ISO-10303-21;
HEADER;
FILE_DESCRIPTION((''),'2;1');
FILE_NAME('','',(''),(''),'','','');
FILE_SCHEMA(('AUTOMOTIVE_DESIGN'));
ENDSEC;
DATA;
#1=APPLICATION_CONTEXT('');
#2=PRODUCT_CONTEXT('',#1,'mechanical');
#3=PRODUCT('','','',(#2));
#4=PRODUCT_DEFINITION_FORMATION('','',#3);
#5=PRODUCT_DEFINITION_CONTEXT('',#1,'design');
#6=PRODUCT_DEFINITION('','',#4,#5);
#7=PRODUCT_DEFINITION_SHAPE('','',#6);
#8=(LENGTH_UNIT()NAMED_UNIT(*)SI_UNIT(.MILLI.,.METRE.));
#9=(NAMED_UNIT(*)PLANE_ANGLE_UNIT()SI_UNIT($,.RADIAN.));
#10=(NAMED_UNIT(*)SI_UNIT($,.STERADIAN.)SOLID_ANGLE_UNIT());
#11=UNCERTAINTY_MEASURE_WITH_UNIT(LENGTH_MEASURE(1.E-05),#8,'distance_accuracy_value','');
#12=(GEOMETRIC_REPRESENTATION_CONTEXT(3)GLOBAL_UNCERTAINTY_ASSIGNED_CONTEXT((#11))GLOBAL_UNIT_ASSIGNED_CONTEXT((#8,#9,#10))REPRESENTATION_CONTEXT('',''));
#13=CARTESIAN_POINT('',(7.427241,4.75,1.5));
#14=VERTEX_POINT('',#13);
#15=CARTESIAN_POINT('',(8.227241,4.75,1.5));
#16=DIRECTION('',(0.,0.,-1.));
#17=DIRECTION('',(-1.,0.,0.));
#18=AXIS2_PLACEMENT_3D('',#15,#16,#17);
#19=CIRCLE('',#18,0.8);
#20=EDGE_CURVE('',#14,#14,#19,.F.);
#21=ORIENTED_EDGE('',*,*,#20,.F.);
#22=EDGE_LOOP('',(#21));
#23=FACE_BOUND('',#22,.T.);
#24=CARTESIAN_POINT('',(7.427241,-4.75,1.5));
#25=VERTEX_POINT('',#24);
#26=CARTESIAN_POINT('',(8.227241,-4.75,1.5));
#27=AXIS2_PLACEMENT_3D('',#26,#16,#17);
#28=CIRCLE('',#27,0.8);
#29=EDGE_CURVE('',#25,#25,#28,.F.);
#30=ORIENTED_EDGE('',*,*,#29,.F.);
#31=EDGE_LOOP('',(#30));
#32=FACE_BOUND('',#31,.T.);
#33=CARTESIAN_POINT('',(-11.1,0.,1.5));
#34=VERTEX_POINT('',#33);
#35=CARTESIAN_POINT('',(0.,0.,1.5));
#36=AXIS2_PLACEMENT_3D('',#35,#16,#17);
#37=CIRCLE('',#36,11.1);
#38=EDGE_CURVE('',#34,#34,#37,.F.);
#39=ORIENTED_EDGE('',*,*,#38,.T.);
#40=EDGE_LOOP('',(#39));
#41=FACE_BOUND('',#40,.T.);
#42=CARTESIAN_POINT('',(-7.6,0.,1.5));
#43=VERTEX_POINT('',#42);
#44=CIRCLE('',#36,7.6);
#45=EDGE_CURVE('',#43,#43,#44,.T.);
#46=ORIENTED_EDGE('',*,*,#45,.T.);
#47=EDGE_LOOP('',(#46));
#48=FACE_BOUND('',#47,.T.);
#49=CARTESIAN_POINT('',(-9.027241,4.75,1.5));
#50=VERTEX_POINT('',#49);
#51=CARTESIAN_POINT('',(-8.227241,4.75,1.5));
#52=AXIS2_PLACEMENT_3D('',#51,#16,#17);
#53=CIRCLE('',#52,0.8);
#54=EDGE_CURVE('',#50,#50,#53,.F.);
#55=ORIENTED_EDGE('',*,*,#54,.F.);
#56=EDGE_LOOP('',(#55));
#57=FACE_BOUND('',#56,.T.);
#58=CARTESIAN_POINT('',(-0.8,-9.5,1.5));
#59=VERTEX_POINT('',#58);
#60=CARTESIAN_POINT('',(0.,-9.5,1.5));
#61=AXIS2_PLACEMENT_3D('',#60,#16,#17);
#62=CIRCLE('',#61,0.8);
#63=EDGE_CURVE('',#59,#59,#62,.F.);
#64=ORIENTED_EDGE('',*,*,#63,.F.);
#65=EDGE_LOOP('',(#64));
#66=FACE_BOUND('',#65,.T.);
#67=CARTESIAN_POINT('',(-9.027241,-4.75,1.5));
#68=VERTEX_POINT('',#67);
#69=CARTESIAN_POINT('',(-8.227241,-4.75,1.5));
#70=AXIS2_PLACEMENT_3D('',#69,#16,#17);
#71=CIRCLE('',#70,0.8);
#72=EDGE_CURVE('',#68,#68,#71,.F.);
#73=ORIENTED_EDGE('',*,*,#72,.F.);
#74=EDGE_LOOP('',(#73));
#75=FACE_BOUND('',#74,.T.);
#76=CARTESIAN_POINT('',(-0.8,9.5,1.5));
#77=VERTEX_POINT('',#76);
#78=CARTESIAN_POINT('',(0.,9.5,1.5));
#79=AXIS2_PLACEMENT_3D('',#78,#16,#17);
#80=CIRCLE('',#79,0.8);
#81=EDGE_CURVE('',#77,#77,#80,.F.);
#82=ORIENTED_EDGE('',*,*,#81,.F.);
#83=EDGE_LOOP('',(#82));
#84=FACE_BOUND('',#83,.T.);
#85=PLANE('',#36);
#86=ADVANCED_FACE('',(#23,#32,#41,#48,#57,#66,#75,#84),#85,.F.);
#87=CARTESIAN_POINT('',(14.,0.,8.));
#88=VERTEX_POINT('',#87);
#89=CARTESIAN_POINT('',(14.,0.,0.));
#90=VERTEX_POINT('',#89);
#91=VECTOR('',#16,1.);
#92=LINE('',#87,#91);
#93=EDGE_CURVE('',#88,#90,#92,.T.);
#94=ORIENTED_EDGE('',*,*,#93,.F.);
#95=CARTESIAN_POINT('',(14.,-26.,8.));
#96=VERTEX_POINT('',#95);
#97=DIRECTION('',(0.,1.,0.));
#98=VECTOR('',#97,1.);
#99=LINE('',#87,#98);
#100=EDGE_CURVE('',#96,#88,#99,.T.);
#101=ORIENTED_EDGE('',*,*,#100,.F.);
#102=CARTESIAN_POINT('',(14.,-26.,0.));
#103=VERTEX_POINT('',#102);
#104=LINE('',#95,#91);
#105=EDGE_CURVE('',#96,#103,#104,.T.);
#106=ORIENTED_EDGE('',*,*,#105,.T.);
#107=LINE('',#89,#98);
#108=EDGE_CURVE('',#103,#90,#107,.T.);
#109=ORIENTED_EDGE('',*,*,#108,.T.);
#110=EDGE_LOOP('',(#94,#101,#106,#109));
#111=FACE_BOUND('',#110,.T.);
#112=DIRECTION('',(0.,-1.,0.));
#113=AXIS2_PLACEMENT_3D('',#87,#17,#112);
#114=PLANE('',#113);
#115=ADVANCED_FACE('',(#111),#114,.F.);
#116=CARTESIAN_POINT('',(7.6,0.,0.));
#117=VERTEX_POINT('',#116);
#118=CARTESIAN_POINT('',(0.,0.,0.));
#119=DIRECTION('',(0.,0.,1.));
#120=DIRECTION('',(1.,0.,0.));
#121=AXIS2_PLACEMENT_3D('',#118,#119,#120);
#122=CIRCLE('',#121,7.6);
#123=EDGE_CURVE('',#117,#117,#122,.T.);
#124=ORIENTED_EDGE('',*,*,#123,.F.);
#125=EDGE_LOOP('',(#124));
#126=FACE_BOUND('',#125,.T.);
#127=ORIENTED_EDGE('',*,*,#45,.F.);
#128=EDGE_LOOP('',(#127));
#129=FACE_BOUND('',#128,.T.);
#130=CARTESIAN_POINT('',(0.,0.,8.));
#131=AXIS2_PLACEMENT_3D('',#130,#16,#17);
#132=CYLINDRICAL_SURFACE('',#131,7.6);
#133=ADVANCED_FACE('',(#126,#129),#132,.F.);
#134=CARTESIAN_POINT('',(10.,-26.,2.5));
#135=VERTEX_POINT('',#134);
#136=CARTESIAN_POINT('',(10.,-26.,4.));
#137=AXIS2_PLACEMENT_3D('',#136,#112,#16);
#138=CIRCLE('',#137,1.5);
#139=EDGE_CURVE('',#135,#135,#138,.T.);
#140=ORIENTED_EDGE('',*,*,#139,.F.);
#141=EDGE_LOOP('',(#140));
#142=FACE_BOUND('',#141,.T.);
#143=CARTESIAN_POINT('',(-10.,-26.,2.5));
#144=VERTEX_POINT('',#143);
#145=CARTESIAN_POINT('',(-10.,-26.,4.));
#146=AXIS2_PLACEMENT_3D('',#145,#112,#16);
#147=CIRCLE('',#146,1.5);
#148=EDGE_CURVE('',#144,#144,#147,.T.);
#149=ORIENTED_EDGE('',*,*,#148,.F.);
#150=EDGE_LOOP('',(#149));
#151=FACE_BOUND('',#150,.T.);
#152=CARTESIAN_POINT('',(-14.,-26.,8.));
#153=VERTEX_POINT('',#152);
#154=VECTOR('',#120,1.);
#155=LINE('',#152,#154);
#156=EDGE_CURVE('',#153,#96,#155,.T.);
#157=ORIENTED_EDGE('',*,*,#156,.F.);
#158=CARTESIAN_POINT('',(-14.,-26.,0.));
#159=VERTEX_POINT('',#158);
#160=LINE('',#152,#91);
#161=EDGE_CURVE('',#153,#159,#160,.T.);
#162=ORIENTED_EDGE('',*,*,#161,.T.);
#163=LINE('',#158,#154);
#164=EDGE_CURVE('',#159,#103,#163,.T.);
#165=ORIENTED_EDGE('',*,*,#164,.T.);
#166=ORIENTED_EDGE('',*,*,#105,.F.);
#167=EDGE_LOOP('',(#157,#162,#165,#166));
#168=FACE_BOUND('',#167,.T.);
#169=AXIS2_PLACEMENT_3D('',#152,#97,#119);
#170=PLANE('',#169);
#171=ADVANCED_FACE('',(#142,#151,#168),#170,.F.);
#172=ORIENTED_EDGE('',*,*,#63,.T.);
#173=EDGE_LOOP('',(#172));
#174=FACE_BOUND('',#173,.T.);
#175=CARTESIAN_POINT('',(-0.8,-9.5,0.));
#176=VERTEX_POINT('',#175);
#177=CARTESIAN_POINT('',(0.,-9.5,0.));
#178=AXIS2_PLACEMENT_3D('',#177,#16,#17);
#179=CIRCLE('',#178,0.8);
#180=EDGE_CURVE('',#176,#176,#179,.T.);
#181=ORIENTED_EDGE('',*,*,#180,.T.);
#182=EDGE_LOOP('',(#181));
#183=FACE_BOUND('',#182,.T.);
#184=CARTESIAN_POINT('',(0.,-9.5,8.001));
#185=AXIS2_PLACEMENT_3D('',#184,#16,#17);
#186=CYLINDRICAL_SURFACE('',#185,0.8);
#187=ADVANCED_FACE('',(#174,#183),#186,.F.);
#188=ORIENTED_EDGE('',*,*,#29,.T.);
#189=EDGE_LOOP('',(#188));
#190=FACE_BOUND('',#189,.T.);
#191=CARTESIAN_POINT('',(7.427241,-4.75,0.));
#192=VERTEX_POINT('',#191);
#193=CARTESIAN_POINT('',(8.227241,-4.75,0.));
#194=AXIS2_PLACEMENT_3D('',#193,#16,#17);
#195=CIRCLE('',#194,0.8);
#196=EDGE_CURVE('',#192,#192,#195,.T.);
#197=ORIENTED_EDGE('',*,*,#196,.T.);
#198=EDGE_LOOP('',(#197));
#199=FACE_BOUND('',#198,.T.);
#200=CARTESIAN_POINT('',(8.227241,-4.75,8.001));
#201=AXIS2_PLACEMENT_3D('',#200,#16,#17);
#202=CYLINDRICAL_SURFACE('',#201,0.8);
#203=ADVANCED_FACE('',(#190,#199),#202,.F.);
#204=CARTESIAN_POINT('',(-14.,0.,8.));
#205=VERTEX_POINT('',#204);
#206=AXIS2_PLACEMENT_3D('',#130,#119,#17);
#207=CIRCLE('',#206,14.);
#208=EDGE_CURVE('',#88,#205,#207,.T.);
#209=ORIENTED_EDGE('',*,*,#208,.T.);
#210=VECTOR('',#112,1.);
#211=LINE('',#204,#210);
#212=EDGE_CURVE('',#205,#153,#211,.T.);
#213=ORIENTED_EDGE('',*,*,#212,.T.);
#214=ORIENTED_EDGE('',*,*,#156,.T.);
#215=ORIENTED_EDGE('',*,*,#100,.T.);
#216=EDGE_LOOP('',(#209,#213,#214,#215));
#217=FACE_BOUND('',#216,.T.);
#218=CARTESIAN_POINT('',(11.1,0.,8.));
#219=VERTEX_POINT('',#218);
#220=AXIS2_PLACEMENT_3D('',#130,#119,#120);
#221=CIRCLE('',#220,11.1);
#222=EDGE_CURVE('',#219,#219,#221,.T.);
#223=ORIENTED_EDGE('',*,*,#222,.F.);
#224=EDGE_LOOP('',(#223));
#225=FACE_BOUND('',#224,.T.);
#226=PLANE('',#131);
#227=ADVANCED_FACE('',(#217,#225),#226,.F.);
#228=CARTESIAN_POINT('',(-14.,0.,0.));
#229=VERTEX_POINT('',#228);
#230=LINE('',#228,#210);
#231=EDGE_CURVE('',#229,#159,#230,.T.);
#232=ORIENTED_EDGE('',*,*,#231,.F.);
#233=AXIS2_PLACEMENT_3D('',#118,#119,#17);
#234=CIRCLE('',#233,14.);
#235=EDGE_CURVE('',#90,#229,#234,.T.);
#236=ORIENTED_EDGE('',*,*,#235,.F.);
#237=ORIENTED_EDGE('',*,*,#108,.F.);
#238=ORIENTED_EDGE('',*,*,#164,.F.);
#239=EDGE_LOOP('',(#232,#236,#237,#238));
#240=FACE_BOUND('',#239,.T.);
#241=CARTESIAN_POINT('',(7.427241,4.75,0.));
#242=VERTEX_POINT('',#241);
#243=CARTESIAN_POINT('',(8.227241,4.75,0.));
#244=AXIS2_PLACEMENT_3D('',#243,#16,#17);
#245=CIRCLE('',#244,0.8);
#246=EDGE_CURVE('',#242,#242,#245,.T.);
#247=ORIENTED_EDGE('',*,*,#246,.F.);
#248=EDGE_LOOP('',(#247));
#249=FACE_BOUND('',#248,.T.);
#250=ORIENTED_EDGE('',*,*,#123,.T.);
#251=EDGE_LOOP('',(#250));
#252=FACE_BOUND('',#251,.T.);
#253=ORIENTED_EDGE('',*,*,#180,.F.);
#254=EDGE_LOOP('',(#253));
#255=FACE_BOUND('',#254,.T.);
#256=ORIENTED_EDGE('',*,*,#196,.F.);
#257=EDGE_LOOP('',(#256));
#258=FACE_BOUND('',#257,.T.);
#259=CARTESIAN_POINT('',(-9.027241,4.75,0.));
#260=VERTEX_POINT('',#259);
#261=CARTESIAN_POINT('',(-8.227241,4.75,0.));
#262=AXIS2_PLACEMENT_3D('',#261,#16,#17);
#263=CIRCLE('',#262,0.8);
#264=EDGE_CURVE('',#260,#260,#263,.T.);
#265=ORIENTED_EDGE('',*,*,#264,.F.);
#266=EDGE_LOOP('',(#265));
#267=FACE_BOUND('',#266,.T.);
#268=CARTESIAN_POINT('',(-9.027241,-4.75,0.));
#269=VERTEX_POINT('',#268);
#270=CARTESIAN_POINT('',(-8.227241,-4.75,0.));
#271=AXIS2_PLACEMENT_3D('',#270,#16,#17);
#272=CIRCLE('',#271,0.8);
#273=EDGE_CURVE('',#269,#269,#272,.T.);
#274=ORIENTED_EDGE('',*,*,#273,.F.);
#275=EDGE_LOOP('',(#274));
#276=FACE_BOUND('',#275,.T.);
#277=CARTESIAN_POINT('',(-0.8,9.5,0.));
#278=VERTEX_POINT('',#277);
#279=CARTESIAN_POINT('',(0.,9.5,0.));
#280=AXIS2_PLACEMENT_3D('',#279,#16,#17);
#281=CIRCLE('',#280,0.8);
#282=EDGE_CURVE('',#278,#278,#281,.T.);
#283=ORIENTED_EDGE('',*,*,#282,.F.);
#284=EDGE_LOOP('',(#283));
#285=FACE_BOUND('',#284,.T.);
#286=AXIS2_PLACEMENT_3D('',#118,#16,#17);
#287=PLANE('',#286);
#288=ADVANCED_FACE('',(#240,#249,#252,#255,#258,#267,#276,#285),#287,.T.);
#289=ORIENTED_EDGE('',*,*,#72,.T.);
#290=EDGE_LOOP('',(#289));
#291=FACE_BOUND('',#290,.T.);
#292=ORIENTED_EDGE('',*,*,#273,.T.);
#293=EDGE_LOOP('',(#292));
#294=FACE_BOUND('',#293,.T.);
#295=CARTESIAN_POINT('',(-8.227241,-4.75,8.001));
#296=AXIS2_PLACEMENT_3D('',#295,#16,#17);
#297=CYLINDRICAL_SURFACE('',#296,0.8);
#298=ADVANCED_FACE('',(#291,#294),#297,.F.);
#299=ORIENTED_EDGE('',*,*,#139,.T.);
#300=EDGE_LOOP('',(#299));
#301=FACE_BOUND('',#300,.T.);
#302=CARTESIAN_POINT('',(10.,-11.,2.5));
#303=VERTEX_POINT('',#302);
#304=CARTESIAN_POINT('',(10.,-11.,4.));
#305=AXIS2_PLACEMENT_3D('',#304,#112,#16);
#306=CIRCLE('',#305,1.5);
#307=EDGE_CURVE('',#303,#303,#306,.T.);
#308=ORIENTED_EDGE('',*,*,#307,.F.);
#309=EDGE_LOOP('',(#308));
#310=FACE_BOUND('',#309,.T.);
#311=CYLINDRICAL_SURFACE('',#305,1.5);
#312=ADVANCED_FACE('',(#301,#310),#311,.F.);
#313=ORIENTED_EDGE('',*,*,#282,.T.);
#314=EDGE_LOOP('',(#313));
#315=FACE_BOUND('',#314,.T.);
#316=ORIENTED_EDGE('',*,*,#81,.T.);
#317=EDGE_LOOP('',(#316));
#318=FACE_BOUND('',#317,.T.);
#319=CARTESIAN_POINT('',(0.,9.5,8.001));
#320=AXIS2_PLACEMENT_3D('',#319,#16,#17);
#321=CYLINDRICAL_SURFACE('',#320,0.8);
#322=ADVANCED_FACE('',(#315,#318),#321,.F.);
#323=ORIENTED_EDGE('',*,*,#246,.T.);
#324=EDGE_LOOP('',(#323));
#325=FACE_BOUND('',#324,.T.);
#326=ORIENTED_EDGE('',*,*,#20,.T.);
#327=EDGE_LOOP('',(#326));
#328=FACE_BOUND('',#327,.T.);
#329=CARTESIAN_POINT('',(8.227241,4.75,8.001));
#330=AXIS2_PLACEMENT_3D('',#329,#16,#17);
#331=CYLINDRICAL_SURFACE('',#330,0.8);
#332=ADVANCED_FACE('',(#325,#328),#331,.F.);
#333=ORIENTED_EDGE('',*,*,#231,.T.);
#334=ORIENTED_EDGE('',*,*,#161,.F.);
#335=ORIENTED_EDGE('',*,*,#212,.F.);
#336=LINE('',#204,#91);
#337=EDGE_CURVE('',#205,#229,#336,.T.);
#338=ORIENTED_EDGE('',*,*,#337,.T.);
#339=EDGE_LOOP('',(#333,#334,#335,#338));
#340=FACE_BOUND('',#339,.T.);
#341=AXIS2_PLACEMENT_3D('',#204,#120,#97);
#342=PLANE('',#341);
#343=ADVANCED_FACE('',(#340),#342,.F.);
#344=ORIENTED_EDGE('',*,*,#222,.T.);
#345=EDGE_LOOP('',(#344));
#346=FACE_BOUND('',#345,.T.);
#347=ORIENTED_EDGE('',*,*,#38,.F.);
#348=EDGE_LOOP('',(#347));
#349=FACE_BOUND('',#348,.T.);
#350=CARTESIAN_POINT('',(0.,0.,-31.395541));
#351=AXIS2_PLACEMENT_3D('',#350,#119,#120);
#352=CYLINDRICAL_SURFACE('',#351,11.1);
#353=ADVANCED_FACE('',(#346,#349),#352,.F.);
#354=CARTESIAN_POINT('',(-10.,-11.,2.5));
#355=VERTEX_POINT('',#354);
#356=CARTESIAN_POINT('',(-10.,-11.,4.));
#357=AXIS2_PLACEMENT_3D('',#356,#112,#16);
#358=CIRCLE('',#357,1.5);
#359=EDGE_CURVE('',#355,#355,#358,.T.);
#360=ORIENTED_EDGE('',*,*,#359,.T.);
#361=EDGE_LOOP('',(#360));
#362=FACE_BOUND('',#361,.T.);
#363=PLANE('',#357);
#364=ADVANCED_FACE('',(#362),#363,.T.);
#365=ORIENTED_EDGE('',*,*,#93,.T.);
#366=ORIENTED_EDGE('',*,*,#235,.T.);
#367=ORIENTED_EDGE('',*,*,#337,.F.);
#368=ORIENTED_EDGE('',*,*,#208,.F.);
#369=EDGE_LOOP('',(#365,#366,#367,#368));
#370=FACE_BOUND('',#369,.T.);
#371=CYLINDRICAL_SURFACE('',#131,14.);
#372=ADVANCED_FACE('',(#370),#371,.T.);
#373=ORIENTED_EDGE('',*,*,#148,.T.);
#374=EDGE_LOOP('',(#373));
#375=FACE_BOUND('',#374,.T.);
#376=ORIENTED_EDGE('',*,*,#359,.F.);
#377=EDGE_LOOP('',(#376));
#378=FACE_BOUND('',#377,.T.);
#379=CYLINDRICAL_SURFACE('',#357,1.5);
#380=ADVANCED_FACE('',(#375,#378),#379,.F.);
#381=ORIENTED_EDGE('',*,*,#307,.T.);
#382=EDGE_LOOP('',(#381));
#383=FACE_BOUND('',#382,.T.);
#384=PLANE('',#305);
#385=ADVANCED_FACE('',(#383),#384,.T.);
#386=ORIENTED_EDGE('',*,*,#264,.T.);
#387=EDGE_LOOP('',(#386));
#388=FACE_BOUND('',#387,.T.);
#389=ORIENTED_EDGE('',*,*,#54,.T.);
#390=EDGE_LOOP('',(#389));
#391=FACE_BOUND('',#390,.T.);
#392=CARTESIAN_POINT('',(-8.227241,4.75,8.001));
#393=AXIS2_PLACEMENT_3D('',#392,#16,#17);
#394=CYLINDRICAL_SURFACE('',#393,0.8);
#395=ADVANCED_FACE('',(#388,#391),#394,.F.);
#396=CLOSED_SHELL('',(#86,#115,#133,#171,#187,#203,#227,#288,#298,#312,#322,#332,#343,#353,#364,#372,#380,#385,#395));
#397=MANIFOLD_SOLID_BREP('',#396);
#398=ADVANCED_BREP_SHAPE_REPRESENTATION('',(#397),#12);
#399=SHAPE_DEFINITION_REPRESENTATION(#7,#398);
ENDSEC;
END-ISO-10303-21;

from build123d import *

# Parameters (mm, degrees)
ESQUISSE1_R             = 7.6
BOSS_EXTRU_1_DEPTH      = 8
ESQUISSE2_R             = 11.1
ENL_V_MAT_EXTRU_1_DEPTH = 6.5
ENL_V_MAT_EXTRU_2_REACH = 10
ESQUISSE3_R             = 0.8
ESQUISSE4_R             = 1.5
ENL_V_MAT_EXTRU_3_DEPTH = 15


with BuildPart() as part:
    # Esquisse1 → Boss.-Extru.1 (new body)
    with BuildSketch(Plane.XY):
        with BuildLine():
            Line((-14, 0), (-14, -26))
            Line((-14, -26), (14, -26))
            Line((14, -26), (14, 0))
            ThreePointArc((14, 0), (0, 14), (-14, 0))
        make_face()
        Circle(ESQUISSE1_R, mode=Mode.SUBTRACT)
    extrude(amount=BOSS_EXTRU_1_DEPTH)

    # Esquisse2 → Enlèv. mat.-Extru.1 (cut)
    with BuildSketch(Plane.XY.offset(8)):
        Circle(ESQUISSE2_R)
    extrude(amount=-ENL_V_MAT_EXTRU_1_DEPTH, mode=Mode.SUBTRACT)

    # Esquisse3 → Enlèv. mat.-Extru.2 (cut, up to next)
    with BuildSketch(Plane(origin=(0, 0, 0), x_dir=(-1, 0, 0), z_dir=(0, 0, -1)), mode=Mode.PRIVATE) as enl_v_mat_extru_2_sk1:
        with Locations((0, 9.5)):
            Circle(ESQUISSE3_R)
    enl_v_mat_extru_2_tool1 = extrude(enl_v_mat_extru_2_sk1.sketch, amount=-ENL_V_MAT_EXTRU_2_REACH, mode=Mode.PRIVATE) & part.part
    add(enl_v_mat_extru_2_tool1.solids().sort_by_distance((0, 9.5, 0))[0], mode=Mode.SUBTRACT)
    # Esquisse3 → Enlèv. mat.-Extru.2 (cut, up to next)
    with BuildSketch(Plane(origin=(0, 0, 0), x_dir=(-1, 0, 0), z_dir=(0, 0, -1)), mode=Mode.PRIVATE) as enl_v_mat_extru_2_sk2:
        with Locations((8.227241336, 4.75)):
            Circle(ESQUISSE3_R)
    enl_v_mat_extru_2_tool2 = extrude(enl_v_mat_extru_2_sk2.sketch, amount=-ENL_V_MAT_EXTRU_2_REACH, mode=Mode.PRIVATE) & part.part
    add(enl_v_mat_extru_2_tool2.solids().sort_by_distance((-8.227241, 4.75, 0))[0], mode=Mode.SUBTRACT)
    # Esquisse3 → Enlèv. mat.-Extru.2 (cut, up to next)
    with BuildSketch(Plane(origin=(0, 0, 0), x_dir=(-1, 0, 0), z_dir=(0, 0, -1)), mode=Mode.PRIVATE) as enl_v_mat_extru_2_sk3:
        with Locations((8.227241336, -4.75)):
            Circle(ESQUISSE3_R)
    enl_v_mat_extru_2_tool3 = extrude(enl_v_mat_extru_2_sk3.sketch, amount=-ENL_V_MAT_EXTRU_2_REACH, mode=Mode.PRIVATE) & part.part
    add(enl_v_mat_extru_2_tool3.solids().sort_by_distance((-8.227241, -4.75, 0))[0], mode=Mode.SUBTRACT)
    # Esquisse3 → Enlèv. mat.-Extru.2 (cut, up to next)
    with BuildSketch(Plane(origin=(0, 0, 0), x_dir=(-1, 0, 0), z_dir=(0, 0, -1)), mode=Mode.PRIVATE) as enl_v_mat_extru_2_sk4:
        with Locations((0, -9.5)):
            Circle(ESQUISSE3_R)
    enl_v_mat_extru_2_tool4 = extrude(enl_v_mat_extru_2_sk4.sketch, amount=-ENL_V_MAT_EXTRU_2_REACH, mode=Mode.PRIVATE) & part.part
    add(enl_v_mat_extru_2_tool4.solids().sort_by_distance((0, -9.5, 0))[0], mode=Mode.SUBTRACT)
    # Esquisse3 → Enlèv. mat.-Extru.2 (cut, up to next)
    with BuildSketch(Plane(origin=(0, 0, 0), x_dir=(-1, 0, 0), z_dir=(0, 0, -1)), mode=Mode.PRIVATE) as enl_v_mat_extru_2_sk5:
        with Locations((-8.227241336, -4.75)):
            Circle(ESQUISSE3_R)
    enl_v_mat_extru_2_tool5 = extrude(enl_v_mat_extru_2_sk5.sketch, amount=-ENL_V_MAT_EXTRU_2_REACH, mode=Mode.PRIVATE) & part.part
    add(enl_v_mat_extru_2_tool5.solids().sort_by_distance((8.227241, -4.75, 0))[0], mode=Mode.SUBTRACT)
    # Esquisse3 → Enlèv. mat.-Extru.2 (cut, up to next)
    with BuildSketch(Plane(origin=(0, 0, 0), x_dir=(-1, 0, 0), z_dir=(0, 0, -1)), mode=Mode.PRIVATE) as enl_v_mat_extru_2_sk6:
        with Locations((-8.227241336, 4.75)):
            Circle(ESQUISSE3_R)
    enl_v_mat_extru_2_tool6 = extrude(enl_v_mat_extru_2_sk6.sketch, amount=-ENL_V_MAT_EXTRU_2_REACH, mode=Mode.PRIVATE) & part.part
    add(enl_v_mat_extru_2_tool6.solids().sort_by_distance((8.227241, 4.75, 0))[0], mode=Mode.SUBTRACT)

    # Esquisse4 → Enlèv. mat.-Extru.3 (cut)
    with BuildSketch(Plane.XZ.offset(26)):
        with Locations((-10, 4)):
            Circle(ESQUISSE4_R)
        with Locations((10, 4)):
            Circle(ESQUISSE4_R)
    extrude(amount=-ENL_V_MAT_EXTRU_3_DEPTH, mode=Mode.SUBTRACT)


solid = part.part
